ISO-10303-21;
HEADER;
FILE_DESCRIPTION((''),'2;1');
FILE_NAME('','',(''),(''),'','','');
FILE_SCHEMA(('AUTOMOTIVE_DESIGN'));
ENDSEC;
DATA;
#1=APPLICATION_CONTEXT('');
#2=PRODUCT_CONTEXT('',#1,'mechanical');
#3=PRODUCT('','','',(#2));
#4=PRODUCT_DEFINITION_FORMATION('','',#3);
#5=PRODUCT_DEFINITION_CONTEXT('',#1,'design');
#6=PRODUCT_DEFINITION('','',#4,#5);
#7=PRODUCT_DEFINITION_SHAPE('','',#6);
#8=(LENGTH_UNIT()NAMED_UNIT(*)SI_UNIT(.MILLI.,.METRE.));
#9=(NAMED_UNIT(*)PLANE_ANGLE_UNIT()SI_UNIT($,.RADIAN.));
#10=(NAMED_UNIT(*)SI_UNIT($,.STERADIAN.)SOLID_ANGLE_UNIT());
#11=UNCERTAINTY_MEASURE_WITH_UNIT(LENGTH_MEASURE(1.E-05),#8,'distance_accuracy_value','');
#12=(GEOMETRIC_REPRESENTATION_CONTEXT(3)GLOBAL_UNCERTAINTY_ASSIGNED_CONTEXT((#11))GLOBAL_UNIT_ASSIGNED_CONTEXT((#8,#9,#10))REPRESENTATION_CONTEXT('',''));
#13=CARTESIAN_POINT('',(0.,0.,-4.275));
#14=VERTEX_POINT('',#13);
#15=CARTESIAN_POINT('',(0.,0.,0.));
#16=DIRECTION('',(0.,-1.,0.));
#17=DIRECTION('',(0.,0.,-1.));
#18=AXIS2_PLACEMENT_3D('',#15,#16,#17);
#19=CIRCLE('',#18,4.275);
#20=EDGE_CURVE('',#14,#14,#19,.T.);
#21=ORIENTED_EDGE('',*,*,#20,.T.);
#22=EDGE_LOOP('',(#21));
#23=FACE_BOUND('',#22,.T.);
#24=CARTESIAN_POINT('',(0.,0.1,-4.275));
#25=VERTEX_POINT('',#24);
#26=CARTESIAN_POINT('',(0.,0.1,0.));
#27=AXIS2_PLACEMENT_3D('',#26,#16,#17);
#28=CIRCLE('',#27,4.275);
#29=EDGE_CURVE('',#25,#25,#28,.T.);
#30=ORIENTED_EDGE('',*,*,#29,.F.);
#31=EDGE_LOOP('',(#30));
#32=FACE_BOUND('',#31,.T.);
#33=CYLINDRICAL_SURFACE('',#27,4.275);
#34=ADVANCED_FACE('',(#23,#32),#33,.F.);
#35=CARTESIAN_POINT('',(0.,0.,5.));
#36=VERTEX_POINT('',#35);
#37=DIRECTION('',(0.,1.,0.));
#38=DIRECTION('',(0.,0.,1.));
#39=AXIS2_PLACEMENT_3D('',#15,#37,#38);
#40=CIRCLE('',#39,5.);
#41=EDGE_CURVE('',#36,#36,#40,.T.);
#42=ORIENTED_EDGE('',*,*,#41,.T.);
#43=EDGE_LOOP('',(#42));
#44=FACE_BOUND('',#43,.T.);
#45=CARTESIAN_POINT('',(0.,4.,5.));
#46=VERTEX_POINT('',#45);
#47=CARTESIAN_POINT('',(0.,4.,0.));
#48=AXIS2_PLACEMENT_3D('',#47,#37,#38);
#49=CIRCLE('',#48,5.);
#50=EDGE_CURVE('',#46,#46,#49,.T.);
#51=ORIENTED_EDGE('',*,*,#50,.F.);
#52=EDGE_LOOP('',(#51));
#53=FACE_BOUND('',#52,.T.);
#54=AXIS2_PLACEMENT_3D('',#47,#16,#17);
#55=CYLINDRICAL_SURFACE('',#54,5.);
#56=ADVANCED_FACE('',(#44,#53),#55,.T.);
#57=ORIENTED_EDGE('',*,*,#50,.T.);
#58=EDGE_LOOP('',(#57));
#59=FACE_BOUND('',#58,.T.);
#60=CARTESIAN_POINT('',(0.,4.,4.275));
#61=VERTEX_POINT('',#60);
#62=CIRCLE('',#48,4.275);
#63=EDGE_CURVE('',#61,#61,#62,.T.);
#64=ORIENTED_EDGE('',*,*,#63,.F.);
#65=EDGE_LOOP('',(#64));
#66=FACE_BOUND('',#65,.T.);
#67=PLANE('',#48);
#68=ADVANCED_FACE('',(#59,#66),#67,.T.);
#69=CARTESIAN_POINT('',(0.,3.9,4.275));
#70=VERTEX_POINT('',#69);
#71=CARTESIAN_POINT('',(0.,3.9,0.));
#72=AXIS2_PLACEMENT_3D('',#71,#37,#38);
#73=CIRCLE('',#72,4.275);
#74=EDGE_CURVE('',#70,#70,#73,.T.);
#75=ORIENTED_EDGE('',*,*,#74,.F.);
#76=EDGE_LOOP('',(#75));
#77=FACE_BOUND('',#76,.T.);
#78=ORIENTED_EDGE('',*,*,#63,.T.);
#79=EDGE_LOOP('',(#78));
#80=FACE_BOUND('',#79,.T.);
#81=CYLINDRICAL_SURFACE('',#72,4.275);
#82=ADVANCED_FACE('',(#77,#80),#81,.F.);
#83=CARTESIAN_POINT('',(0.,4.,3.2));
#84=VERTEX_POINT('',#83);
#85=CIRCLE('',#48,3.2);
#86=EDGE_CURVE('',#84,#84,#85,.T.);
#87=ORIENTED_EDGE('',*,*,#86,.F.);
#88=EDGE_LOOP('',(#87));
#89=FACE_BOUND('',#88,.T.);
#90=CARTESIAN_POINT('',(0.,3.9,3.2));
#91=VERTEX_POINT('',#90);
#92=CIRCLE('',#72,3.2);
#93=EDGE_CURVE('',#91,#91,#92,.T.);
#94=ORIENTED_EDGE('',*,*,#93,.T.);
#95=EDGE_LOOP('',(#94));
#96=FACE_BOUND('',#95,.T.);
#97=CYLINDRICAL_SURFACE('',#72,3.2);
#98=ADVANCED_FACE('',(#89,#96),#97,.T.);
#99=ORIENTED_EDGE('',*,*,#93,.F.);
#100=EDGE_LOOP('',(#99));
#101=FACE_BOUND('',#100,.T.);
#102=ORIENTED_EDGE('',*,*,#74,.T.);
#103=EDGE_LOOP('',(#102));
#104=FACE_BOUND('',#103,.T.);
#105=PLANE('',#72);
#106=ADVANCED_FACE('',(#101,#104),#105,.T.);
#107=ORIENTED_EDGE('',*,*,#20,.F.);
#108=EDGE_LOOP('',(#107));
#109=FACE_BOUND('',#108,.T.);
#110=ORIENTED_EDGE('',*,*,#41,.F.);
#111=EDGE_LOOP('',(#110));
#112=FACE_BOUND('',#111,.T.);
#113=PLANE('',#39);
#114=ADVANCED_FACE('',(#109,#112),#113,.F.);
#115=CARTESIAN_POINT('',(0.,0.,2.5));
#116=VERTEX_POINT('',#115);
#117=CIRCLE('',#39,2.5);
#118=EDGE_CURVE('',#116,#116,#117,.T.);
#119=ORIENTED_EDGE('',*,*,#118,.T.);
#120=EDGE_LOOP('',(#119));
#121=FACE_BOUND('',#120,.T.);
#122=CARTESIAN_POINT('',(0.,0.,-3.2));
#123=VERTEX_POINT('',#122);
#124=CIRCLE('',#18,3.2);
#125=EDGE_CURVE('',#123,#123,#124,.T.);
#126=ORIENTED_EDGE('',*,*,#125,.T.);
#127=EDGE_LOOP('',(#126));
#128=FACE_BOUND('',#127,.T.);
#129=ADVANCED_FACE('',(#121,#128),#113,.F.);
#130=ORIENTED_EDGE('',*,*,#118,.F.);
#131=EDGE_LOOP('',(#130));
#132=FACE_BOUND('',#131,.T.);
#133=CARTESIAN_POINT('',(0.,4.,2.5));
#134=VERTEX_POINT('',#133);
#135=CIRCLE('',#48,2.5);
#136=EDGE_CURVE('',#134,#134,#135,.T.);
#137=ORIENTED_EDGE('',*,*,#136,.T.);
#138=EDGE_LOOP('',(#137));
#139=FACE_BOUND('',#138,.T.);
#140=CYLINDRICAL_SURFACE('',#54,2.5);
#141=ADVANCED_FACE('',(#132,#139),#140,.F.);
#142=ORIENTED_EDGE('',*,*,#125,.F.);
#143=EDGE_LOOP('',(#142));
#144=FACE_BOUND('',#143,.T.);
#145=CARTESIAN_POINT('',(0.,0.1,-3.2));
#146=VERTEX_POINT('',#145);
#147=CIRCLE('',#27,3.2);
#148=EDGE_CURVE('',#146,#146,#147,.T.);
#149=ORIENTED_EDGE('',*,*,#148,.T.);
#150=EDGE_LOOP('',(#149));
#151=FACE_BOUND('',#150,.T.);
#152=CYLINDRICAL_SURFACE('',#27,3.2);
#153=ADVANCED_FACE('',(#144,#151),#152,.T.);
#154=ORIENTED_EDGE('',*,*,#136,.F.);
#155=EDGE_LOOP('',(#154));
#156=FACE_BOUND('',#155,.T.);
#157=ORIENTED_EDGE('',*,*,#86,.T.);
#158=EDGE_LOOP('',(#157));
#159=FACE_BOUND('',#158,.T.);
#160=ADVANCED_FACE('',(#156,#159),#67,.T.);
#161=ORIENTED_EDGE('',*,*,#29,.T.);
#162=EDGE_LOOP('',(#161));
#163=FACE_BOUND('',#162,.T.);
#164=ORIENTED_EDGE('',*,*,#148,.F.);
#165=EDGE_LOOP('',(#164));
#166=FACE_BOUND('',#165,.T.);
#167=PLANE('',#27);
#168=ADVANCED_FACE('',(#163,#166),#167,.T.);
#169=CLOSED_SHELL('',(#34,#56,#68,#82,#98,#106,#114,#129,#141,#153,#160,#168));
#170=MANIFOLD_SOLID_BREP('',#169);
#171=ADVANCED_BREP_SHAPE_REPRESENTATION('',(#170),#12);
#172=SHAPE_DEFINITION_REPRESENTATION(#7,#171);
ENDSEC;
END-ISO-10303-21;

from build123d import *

# Parameters (mm, degrees)
SKETCH1_R           = 5
SKETCH1_R_2         = 2.5
BOSS_EXTRUDE1_DEPTH = 4
SKETCH2_R           = 4.275
SKETCH2_R_2         = 3.2
CUT_EXTRUDE1_DEPTH  = 0.1
SKETCH3_R           = 4.275
SKETCH3_R_2         = 3.2
CUT_EXTRUDE2_DEPTH  = 0.1


with BuildPart() as part:
    # Sketch1 → Boss-Extrude1 (new body)
    with BuildSketch(Plane(origin=(0, 0, 0), x_dir=(1, 0, 0), z_dir=(0, 1, 0))):
        Circle(SKETCH1_R)
        Circle(SKETCH1_R_2, mode=Mode.SUBTRACT)
    extrude(amount=BOSS_EXTRUDE1_DEPTH)

    # Sketch2 → Cut-Extrude1 (cut)
    with BuildSketch(Plane(origin=(0, 4, 0), x_dir=(1, 0, 0), z_dir=(0, 1, 0))):
        Circle(SKETCH2_R)
        Circle(SKETCH2_R_2, mode=Mode.SUBTRACT)
    extrude(amount=-CUT_EXTRUDE1_DEPTH, mode=Mode.SUBTRACT)

    # Sketch3 → Cut-Extrude2 (cut)
    with BuildSketch(Plane.XZ):
        Circle(SKETCH3_R)
        Circle(SKETCH3_R_2, mode=Mode.SUBTRACT)
    extrude(amount=-CUT_EXTRUDE2_DEPTH, mode=Mode.SUBTRACT)


solid = part.part
